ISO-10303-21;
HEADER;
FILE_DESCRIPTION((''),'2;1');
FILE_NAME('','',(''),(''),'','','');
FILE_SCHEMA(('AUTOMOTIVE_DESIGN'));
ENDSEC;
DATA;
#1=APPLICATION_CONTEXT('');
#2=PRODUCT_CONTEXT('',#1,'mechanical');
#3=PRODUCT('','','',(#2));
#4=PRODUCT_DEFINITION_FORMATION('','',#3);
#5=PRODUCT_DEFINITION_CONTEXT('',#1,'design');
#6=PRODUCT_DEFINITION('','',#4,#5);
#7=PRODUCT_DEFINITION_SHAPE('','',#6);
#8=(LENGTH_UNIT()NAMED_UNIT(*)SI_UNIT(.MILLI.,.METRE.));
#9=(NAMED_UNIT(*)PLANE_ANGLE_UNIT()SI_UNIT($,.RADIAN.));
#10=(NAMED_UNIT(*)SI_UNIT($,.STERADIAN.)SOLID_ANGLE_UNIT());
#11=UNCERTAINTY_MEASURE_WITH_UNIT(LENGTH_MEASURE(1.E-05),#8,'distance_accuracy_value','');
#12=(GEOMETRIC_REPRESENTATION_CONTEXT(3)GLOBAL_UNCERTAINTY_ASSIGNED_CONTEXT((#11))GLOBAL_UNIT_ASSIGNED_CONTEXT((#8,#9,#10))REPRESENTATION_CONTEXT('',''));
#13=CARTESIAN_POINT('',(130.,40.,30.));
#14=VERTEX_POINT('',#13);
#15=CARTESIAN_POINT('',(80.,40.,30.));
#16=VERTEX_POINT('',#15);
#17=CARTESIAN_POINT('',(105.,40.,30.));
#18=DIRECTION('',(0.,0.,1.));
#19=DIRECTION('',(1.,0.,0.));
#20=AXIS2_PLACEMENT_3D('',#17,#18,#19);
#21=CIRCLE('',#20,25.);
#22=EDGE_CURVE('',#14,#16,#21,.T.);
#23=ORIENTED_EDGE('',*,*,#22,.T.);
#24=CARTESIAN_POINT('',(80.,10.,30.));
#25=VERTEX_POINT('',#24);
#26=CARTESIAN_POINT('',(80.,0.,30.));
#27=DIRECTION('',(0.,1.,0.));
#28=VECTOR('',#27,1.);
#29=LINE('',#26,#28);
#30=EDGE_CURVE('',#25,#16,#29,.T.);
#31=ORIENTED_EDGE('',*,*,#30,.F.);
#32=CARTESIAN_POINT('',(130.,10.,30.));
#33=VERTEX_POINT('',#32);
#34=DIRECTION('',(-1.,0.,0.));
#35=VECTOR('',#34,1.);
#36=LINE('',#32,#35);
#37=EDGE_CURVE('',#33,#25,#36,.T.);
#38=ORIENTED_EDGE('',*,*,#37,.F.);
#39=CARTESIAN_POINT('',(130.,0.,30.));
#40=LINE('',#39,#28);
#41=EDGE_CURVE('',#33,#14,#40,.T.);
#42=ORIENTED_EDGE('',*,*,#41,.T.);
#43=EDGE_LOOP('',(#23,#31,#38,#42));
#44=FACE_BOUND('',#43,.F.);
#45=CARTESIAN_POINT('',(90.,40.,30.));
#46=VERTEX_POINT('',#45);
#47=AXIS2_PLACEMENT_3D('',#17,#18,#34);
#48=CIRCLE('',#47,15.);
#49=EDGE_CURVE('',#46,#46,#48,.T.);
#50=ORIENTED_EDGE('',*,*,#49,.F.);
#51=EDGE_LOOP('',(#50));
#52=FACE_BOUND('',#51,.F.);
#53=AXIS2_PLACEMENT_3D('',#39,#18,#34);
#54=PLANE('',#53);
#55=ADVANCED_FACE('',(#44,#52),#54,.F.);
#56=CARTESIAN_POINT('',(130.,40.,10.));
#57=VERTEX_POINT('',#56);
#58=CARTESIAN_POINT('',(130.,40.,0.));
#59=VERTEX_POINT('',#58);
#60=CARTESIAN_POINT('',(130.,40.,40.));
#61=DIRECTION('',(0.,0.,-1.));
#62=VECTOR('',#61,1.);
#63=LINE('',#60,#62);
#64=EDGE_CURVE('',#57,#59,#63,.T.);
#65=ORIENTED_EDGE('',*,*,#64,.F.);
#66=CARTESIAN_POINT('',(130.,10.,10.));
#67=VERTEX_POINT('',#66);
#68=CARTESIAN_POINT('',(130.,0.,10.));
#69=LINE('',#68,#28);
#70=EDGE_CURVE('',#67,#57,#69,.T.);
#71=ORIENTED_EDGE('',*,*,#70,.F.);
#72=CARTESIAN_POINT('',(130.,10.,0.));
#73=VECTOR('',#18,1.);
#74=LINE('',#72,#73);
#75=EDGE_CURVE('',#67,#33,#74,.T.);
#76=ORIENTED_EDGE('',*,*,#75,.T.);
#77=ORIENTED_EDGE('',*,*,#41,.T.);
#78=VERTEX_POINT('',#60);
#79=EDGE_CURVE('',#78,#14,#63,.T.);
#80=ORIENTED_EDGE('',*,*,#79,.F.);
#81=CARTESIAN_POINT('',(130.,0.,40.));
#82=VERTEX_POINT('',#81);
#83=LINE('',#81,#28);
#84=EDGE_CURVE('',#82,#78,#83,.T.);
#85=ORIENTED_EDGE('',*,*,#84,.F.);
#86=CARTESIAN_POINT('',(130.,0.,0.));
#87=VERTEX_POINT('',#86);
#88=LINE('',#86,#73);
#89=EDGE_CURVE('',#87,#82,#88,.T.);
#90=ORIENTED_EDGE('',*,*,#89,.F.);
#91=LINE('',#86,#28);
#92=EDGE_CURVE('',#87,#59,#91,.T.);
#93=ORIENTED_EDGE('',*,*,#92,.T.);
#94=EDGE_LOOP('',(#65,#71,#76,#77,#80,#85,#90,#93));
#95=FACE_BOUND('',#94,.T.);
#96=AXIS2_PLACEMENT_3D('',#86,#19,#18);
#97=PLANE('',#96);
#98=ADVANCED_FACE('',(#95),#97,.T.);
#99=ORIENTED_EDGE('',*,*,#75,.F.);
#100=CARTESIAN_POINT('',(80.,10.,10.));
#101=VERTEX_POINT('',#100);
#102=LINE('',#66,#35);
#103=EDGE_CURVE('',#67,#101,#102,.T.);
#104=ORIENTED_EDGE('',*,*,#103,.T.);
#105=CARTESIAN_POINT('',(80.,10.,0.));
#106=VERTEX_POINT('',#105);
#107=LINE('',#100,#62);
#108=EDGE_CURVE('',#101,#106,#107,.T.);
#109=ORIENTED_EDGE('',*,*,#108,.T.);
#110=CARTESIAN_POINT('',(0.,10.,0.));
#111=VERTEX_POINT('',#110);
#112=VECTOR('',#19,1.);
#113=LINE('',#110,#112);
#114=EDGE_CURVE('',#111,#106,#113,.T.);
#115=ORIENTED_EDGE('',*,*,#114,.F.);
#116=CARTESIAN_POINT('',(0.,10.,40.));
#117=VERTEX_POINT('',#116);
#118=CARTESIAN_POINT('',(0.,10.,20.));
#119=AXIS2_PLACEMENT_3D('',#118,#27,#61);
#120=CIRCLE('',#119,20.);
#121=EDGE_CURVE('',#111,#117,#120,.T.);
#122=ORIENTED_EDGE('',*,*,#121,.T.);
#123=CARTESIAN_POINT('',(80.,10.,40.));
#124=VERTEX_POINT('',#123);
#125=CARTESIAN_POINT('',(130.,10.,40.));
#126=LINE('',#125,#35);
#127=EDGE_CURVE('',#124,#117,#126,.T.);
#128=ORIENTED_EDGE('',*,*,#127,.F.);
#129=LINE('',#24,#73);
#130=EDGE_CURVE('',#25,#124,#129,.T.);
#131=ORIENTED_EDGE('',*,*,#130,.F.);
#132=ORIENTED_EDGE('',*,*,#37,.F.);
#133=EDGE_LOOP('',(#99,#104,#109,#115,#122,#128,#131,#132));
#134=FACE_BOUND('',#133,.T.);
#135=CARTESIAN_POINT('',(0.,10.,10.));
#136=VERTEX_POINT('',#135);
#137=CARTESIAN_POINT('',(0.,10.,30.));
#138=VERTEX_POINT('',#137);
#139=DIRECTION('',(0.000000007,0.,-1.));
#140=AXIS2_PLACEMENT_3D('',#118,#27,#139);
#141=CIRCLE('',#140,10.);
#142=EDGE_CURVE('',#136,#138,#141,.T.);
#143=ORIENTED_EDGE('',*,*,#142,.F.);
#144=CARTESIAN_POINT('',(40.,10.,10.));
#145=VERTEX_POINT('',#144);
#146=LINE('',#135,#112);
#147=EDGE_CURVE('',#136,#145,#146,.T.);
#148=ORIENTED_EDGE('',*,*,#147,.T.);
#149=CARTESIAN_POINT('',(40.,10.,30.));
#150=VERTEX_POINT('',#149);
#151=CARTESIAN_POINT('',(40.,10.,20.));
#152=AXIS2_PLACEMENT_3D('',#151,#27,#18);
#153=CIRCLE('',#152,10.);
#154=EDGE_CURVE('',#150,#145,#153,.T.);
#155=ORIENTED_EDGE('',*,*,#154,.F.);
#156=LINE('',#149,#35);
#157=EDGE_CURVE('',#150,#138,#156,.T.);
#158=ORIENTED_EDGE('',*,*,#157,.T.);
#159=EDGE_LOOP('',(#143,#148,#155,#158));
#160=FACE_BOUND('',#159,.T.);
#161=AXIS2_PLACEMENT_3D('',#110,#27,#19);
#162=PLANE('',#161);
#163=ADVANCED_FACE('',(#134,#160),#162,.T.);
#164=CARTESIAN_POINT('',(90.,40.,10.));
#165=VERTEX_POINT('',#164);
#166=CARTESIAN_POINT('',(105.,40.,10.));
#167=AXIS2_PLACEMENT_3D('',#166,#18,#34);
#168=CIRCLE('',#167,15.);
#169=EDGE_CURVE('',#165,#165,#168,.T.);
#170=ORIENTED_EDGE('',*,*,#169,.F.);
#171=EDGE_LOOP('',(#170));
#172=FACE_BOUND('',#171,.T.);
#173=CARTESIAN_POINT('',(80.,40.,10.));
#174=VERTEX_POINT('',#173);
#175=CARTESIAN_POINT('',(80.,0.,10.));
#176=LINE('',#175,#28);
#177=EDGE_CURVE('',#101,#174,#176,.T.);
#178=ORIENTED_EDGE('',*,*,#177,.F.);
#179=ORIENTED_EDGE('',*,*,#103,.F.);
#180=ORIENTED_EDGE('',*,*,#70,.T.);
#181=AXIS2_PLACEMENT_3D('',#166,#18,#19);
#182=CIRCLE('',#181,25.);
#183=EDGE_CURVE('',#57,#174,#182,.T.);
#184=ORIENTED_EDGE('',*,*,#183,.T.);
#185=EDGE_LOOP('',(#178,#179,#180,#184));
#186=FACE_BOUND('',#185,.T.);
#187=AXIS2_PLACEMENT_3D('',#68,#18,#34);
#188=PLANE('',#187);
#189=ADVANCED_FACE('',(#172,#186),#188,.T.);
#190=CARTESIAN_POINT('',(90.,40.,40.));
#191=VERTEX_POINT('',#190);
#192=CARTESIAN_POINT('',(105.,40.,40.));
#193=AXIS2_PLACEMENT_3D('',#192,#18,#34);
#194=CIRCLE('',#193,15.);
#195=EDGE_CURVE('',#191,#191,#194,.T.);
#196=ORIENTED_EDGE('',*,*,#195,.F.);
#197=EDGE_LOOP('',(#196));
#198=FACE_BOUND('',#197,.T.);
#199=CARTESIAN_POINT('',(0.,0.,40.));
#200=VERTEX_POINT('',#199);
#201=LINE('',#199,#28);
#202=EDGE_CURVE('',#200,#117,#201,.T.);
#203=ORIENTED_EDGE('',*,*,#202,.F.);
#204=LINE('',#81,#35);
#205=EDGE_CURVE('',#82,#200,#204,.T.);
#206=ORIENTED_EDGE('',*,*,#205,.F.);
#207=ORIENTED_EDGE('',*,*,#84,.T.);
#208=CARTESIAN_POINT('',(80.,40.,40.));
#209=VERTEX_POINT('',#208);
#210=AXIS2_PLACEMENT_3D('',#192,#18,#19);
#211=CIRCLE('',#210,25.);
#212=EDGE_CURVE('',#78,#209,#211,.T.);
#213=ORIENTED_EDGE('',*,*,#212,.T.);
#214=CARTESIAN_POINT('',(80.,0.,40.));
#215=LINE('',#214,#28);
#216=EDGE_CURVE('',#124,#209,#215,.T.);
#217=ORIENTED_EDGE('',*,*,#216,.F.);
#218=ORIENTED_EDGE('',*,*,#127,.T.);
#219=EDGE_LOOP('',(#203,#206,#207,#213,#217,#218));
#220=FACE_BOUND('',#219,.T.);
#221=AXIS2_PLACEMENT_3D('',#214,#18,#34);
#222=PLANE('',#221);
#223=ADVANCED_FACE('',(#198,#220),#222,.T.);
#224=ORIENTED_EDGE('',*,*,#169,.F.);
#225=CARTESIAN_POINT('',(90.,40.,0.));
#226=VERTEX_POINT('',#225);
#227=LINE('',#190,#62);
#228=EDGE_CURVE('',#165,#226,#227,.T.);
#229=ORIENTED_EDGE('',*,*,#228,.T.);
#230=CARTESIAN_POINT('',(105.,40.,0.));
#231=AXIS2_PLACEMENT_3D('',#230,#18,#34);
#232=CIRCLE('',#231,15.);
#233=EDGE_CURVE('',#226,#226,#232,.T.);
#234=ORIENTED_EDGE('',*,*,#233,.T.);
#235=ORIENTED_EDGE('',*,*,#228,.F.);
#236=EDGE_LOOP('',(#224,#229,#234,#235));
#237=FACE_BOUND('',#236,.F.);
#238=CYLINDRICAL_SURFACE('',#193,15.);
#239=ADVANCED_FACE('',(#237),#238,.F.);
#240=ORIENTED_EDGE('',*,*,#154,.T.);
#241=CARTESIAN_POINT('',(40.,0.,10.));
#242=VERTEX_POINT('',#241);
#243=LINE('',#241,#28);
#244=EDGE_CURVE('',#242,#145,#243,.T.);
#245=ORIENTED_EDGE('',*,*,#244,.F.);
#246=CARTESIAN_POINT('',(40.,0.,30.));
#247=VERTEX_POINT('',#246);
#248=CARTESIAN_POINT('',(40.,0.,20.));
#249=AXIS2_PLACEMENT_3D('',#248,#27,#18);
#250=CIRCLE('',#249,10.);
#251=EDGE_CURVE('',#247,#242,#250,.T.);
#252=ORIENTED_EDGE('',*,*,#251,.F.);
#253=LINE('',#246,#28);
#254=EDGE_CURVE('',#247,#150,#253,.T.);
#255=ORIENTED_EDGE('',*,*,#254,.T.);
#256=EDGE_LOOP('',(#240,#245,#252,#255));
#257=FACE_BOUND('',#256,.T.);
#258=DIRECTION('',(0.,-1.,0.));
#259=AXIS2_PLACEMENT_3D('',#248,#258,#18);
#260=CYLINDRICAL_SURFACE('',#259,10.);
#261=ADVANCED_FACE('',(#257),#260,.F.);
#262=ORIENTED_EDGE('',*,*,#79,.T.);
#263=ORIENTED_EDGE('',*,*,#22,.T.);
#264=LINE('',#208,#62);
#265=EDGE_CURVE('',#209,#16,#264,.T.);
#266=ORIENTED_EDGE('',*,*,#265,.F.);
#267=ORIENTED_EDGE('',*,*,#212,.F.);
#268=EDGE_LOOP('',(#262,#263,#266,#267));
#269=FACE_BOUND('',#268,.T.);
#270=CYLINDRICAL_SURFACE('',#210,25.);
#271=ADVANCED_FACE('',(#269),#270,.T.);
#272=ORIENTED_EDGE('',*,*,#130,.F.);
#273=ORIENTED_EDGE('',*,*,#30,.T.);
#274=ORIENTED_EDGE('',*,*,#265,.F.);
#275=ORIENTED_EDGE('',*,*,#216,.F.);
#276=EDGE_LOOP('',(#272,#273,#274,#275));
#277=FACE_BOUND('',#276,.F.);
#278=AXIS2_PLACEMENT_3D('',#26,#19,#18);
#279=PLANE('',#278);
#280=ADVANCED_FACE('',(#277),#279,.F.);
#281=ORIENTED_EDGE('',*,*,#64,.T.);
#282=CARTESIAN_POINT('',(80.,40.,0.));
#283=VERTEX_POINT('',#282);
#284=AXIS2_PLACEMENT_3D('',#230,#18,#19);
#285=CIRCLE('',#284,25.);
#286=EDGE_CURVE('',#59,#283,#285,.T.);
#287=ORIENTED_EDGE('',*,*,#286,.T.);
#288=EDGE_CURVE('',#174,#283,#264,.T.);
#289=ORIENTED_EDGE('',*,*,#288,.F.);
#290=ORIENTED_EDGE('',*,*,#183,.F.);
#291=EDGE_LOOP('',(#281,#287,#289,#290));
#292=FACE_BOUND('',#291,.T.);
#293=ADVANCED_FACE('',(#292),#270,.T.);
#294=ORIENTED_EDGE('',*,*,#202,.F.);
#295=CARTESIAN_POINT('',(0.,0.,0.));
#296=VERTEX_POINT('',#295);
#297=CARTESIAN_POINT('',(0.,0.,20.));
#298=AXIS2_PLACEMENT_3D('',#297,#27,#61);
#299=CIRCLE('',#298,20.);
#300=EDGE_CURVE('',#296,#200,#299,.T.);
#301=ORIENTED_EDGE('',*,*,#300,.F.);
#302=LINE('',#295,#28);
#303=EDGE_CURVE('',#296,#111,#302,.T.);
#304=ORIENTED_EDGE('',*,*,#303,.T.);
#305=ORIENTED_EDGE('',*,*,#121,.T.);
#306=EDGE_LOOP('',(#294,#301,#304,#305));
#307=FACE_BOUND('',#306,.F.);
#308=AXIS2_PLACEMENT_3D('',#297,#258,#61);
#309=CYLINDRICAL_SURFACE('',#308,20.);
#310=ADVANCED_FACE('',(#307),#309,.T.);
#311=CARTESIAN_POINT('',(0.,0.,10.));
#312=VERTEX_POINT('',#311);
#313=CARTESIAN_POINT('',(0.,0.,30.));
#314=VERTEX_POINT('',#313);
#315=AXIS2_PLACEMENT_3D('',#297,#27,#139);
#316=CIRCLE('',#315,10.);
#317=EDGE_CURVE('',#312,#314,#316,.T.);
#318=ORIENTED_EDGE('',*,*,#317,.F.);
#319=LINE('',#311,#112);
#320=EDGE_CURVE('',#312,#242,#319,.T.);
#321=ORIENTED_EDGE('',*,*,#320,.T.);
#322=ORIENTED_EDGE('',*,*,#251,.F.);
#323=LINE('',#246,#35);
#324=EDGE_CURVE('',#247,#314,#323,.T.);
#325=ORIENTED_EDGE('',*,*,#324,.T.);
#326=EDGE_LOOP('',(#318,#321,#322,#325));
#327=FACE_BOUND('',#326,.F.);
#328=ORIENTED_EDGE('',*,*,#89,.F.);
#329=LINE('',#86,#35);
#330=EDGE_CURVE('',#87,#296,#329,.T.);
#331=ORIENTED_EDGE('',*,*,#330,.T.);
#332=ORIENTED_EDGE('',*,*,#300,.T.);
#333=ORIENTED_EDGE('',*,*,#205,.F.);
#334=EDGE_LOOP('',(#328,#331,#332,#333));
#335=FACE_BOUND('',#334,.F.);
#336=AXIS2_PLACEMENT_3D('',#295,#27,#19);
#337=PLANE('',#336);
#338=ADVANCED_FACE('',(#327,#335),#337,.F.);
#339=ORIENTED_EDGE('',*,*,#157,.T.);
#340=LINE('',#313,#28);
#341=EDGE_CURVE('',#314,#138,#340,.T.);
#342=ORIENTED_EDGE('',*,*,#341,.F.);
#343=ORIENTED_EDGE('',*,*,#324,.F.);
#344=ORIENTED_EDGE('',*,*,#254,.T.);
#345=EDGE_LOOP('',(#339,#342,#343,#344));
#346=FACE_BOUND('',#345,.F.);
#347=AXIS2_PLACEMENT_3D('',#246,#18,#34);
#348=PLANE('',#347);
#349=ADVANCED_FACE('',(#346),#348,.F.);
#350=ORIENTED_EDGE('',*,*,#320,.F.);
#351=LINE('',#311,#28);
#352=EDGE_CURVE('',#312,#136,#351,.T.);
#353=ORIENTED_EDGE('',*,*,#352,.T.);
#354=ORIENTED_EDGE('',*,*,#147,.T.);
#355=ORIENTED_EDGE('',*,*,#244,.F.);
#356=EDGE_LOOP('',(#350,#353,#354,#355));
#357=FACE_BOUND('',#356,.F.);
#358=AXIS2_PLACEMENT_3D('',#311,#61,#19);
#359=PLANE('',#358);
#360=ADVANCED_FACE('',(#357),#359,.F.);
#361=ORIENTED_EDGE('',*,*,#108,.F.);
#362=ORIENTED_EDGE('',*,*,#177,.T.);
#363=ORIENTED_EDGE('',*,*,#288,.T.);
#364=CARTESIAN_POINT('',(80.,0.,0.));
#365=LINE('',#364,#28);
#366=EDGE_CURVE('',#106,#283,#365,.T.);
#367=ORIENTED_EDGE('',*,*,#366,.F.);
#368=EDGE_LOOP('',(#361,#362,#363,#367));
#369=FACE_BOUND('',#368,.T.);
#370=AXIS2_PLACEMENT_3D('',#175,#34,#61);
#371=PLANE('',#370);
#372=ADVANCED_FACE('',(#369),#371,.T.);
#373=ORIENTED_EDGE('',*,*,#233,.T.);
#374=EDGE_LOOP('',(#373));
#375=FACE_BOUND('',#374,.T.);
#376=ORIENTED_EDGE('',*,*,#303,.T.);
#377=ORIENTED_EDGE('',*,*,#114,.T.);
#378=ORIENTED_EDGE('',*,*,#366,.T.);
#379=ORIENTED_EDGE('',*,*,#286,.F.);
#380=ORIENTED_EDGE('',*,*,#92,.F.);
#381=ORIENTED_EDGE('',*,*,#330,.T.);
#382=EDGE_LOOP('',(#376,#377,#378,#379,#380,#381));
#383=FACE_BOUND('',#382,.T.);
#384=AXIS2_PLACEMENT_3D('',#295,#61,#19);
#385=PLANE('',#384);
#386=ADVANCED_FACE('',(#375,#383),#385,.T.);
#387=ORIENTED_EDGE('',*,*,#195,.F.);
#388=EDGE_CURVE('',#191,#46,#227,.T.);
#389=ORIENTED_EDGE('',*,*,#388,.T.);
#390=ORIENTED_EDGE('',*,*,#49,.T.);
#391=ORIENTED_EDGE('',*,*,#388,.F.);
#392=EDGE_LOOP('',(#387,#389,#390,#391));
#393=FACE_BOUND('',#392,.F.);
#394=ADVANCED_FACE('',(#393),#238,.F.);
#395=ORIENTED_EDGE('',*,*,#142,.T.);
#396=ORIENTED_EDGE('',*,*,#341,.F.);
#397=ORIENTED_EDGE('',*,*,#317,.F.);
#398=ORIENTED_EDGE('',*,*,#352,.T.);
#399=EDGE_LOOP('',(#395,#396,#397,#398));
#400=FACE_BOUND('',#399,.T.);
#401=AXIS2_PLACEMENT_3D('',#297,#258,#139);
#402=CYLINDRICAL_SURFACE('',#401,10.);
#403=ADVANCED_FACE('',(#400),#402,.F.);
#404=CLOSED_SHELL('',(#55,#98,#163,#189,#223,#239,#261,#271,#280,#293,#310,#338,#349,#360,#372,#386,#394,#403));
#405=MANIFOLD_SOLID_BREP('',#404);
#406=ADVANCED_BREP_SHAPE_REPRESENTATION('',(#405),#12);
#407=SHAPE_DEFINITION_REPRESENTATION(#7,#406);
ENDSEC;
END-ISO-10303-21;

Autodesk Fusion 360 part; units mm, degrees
sketch "Sketch4" plane through (0, 0, 0) normal (0, 1, 0) x (1, 0, 0)
  line L0 (0, 0) -> (130, 0)
  line L1 (130, 0) -> (130, -40)
  line L2 (130, -40) -> (0, -40)
  line L3 (130, -40) -> (130, -30)
  line L4 (130, -40) -> (130, -30)
  line L5 (130, -30) -> (80, -30)
  line L6 (80, -30) -> (80, -40)
  line L7 (130, 0) -> (130, -10)
  line L8 (130, -10) -> (80, -10)
  line L9 (80, -10) -> (80, 0)
  arc A0 (0, 0) -> (0, -40) centre (0, -20) ccw
  line L10 (0, -20) -> (40, -20) construction
  line L11 (0, -20) -> (0, -30) construction
  line L12 (40, -20) -> (40, -30) construction
  line L13 (40, -30) -> (0, -30)
  line L14 (0, -20) -> (0, -10) construction
  line L15 (0, -10) -> (40, -10)
  arc A1 (0.0017, -10) -> (0, -30) centre (0, -20) ccw
  arc A2 (40, -30) -> (40, -10) centre (40, -20) ccw
  dimension "d16" = 130
  dimension "d17" = 40
  dimension "d18" = 10
  dimension "d19" = 50
  dimension "d20" = 10
  dimension "d21" = 50
  dimension "d22" = 20
  dimension "d23" = 40
  dimension "d24" = 40
  dimension "d25" = 20
extrude "Extrude5" add sketch "Sketch4" along normal blind 10 contours L0 L1 L2 L5 L6 L8 L9 A0
extrude "Extrude6" add sketch "Sketch4" along normal blind 75 contours L0 L1 L7 L8 L9 | L1 L2 L3 L4 L5 L6
sketch "Sketch5" plane through (0, 0, 40) normal (0, 0, 1) x (-1, 0, 0)
  line L0 (0, 0) -> (-130, 0)
  line L1 (-130, 0) -> (-130, -75)
  line L2 (-130, -75) -> (-80, -75)
  line L3 (-80, -75) -> (-80, -10)
  line L4 (-80, -10) -> (0, -10)
  line L5 (0, -10) -> (0, 0)
  line L6 (-130, 0) -> (-130, -40) construction
  line L7 (-130, -40) -> (-80, -40) construction
  circle A0 centre (-105, -40) radius 15
  arc A1 (-130, -40) -> (-80, -40) centre (-105, -40) ccw
  dimension "d30" = 40
  dimension "d31" = 30
  dimension "d32" = 50
extrude "Extrude7" cut sketch "Sketch5" against normal blind 40 contours L1 L2 L3 A1
extrude "Extrude8" cut sketch "Sketch5" against normal blind 40 contours A0
